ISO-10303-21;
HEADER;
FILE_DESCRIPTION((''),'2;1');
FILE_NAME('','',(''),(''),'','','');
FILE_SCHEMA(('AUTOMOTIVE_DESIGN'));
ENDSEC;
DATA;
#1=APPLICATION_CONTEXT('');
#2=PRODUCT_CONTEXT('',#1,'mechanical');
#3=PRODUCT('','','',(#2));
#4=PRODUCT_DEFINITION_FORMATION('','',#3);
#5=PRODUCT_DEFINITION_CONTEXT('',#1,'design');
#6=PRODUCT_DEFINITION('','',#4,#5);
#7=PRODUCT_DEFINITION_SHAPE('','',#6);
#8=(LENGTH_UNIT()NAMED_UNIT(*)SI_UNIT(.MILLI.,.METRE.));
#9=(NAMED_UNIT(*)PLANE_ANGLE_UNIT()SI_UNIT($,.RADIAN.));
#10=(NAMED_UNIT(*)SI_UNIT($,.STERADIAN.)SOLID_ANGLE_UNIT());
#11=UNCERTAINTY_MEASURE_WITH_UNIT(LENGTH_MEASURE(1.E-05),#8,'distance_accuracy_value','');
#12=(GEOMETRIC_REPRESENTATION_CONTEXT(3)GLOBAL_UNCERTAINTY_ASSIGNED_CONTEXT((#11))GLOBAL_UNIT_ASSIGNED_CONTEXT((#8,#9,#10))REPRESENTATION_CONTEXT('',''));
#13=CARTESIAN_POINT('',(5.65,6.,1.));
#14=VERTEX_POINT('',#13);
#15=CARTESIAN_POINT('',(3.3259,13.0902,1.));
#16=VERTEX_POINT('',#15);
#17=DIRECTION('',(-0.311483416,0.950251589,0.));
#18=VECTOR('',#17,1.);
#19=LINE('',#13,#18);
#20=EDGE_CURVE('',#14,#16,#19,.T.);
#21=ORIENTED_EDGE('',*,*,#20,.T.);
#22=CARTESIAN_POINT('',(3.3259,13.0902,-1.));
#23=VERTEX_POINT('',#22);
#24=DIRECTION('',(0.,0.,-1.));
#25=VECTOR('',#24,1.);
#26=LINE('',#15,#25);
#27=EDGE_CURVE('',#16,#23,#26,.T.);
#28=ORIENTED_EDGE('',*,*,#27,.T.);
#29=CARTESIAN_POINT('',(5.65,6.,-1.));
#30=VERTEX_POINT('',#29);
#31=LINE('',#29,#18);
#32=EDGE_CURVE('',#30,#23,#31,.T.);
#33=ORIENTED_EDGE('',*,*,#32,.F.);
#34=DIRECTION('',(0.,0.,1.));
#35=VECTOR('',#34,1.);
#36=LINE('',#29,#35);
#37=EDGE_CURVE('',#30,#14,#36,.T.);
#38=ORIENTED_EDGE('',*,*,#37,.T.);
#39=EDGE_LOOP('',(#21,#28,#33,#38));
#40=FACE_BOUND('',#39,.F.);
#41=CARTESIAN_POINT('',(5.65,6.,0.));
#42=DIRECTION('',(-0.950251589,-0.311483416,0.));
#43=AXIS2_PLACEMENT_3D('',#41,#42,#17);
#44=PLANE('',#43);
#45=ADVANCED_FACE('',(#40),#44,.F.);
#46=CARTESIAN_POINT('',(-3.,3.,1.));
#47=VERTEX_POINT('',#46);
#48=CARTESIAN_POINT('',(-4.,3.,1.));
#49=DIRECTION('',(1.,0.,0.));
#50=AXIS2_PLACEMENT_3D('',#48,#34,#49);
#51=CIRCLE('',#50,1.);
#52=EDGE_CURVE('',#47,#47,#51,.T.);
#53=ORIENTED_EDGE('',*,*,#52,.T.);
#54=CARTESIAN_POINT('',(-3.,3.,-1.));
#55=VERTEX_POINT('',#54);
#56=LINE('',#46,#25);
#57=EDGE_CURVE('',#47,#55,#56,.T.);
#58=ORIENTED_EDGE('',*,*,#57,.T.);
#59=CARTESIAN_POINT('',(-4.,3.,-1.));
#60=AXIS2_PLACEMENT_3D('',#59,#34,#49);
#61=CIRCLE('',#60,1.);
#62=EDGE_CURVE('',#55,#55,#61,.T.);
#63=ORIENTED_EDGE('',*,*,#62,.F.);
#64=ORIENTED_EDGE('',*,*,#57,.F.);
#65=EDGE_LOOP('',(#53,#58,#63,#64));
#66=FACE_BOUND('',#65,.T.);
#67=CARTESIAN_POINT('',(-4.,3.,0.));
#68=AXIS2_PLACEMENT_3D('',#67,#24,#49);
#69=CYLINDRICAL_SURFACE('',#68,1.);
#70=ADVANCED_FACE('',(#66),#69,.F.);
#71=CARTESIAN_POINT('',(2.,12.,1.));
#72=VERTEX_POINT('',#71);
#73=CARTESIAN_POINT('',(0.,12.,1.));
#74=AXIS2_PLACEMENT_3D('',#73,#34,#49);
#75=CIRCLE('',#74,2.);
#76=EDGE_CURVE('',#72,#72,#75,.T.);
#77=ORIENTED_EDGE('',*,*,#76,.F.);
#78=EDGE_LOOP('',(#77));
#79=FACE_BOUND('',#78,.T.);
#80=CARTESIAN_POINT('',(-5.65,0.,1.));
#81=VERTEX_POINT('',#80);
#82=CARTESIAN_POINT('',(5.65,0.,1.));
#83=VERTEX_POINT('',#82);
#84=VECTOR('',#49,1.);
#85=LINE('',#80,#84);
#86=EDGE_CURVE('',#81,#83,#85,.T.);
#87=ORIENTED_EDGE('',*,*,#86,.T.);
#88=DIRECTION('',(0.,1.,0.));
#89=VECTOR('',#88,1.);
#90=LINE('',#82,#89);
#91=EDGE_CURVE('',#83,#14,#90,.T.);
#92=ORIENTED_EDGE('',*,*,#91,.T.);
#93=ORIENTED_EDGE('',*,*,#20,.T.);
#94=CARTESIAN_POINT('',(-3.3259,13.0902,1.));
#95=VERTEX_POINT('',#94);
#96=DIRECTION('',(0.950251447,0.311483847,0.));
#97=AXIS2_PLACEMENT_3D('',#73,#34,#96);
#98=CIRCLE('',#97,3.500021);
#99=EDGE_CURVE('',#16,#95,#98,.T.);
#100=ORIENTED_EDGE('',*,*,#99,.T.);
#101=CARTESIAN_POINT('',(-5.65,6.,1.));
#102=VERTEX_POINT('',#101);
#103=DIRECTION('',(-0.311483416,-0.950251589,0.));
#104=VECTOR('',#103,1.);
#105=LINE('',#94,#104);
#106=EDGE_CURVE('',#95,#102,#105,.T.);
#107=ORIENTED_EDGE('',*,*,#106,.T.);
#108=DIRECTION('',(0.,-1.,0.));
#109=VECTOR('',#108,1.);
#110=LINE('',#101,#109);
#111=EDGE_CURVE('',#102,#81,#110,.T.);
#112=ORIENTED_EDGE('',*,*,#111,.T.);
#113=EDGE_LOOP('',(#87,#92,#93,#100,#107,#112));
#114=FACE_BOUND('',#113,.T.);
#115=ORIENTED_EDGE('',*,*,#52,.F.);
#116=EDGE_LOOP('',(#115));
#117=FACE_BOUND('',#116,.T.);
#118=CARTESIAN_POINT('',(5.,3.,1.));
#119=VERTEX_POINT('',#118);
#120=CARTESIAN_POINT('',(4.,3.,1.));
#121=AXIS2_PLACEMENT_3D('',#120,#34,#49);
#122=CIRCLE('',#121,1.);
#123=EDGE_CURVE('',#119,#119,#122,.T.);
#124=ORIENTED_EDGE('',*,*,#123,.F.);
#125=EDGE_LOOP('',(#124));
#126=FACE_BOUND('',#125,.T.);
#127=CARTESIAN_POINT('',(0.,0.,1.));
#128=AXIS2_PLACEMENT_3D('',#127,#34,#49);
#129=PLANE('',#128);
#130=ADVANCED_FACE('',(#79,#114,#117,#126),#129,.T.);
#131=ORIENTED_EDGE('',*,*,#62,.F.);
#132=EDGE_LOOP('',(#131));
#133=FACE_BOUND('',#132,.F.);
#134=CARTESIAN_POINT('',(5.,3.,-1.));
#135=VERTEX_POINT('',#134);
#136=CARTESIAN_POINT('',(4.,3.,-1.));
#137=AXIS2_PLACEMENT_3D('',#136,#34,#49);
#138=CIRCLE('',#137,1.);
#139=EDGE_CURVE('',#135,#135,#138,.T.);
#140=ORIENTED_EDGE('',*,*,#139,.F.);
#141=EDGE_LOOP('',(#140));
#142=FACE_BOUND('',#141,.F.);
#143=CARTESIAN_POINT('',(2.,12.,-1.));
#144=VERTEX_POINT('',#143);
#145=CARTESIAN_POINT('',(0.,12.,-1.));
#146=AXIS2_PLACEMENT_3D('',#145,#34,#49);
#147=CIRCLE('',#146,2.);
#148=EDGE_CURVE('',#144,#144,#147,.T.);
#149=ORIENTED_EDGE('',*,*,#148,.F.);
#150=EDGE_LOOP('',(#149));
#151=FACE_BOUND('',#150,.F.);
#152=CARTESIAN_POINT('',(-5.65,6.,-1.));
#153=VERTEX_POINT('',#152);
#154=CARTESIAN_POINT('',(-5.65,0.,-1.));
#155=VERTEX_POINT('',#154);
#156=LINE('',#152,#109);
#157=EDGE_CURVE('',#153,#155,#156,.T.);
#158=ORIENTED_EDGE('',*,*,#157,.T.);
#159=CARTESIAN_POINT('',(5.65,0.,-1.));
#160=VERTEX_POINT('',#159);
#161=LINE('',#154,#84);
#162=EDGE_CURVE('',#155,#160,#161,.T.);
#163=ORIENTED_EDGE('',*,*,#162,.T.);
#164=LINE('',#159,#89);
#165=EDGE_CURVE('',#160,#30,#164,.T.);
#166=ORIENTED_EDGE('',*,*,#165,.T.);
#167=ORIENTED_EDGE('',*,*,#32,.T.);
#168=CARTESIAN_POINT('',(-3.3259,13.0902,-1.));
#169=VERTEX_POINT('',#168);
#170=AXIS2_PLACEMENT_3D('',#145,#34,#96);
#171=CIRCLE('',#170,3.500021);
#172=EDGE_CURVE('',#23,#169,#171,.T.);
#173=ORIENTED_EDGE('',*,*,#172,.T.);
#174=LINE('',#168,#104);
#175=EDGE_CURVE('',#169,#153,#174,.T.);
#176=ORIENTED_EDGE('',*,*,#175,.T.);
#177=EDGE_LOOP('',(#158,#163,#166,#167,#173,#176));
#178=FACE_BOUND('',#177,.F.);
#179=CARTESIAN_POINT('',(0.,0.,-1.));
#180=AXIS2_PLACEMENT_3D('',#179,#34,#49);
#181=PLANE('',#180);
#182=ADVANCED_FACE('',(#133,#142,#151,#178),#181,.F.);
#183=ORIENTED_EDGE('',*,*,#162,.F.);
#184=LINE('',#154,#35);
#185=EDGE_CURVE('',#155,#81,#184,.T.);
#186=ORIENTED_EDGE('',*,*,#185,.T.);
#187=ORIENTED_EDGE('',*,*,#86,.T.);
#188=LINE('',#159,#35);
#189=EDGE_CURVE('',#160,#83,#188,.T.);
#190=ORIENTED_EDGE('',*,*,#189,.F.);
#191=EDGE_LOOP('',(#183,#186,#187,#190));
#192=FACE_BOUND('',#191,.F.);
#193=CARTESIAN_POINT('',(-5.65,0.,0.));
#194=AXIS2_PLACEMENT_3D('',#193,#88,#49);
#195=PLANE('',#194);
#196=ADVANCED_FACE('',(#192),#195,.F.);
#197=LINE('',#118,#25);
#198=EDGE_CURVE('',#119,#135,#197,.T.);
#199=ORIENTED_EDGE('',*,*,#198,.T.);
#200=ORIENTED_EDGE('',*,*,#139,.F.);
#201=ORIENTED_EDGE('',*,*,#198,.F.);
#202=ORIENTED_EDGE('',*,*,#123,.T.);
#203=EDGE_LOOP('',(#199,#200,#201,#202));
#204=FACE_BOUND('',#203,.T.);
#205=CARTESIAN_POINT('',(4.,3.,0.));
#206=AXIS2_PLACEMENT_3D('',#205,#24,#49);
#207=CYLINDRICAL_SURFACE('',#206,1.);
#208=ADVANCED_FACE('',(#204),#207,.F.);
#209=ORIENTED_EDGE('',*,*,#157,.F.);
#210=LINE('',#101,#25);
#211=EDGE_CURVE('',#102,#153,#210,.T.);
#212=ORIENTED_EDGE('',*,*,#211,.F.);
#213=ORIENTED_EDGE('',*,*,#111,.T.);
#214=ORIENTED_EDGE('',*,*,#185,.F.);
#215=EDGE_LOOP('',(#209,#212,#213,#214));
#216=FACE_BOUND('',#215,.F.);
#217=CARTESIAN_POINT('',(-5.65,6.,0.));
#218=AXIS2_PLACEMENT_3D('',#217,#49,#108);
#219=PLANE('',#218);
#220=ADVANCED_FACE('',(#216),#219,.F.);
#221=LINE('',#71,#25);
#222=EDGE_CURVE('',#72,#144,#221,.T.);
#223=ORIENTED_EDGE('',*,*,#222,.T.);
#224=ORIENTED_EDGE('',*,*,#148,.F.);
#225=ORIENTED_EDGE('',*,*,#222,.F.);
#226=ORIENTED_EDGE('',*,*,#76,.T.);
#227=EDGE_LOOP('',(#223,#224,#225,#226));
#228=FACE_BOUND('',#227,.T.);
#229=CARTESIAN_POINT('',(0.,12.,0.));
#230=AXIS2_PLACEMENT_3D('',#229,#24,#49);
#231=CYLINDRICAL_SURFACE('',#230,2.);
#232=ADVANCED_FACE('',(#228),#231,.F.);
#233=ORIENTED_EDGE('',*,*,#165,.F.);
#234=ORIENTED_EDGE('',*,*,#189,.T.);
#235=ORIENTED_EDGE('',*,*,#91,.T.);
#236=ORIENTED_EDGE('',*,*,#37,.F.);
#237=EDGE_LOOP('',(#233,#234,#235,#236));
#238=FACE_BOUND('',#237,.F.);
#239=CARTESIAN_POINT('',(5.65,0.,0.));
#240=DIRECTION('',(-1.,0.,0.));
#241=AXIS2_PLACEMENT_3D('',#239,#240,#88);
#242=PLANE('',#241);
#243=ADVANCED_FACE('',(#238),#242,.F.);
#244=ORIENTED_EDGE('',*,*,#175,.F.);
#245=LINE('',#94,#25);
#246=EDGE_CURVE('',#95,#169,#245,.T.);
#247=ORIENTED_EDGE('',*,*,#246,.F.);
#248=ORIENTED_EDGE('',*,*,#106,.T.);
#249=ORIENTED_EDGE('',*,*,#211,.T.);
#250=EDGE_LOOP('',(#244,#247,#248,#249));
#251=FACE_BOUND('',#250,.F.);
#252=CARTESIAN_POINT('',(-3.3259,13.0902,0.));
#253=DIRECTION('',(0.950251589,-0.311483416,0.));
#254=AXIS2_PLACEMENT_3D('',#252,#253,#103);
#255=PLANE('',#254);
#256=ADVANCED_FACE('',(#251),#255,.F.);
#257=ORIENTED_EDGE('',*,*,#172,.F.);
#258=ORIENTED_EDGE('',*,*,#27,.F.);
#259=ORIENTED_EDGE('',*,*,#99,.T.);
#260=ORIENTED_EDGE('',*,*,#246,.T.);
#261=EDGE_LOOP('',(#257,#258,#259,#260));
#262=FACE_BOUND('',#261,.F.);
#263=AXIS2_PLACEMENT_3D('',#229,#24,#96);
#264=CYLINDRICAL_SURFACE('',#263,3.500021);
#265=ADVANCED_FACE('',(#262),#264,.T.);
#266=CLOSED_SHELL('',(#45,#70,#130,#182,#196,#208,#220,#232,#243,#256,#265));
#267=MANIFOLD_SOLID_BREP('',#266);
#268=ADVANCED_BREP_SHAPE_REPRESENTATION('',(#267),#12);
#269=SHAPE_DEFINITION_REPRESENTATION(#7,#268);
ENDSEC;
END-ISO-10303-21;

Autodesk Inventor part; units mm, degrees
ref_plane "YZ Plane" through (0, 0, 0) normal (1, 0, 0) x (0, 1, 0)
ref_plane "XZ Plane" through (0, 0, 0) normal (0, 1, 0) x (-1, 0, 0)
ref_plane "XY Plane" through (0, 0, 0) normal (0, 0, 1) x (1, 0, 0)
sketch "Sketch1" plane through (0, 0, 0) normal (0, 0, 1) x (1, 0, 0)
  line L0 (-5.65, 0) -> (5.65, 0)
  line L1 (5.65, 0) -> (5.65, 6)
  line L2 (5.65, 6) -> (3.3259, 13.0902)
  arc A0 (3.3259, 13.0902) -> (-3.3259, 13.0902) centre (0, 12) ccw
  line L3 (-3.3259, 13.0902) -> (-5.65, 6)
  line L4 (-5.65, 6) -> (-5.65, 0)
  line L5 (0, 0) -> (0, 14.0917) construction
  circle A1 centre (-4, 3) radius 1
  circle A2 centre (4, 3) radius 1
  circle A3 centre (0, 12) radius 2
  dimension "d0" = 3.5
  dimension "d1" = 6
  dimension "d2" = 12
  dimension "d3" = 3
  dimension "d4" = 4
  dimension "d5" = 8
  dimension "d6" = 2
  dimension "d7" = 4
  dimension "d10" = 11.3
extrude "Extrusion1" add sketch "Sketch1" along normal mid plane 2
properties part number "43"
